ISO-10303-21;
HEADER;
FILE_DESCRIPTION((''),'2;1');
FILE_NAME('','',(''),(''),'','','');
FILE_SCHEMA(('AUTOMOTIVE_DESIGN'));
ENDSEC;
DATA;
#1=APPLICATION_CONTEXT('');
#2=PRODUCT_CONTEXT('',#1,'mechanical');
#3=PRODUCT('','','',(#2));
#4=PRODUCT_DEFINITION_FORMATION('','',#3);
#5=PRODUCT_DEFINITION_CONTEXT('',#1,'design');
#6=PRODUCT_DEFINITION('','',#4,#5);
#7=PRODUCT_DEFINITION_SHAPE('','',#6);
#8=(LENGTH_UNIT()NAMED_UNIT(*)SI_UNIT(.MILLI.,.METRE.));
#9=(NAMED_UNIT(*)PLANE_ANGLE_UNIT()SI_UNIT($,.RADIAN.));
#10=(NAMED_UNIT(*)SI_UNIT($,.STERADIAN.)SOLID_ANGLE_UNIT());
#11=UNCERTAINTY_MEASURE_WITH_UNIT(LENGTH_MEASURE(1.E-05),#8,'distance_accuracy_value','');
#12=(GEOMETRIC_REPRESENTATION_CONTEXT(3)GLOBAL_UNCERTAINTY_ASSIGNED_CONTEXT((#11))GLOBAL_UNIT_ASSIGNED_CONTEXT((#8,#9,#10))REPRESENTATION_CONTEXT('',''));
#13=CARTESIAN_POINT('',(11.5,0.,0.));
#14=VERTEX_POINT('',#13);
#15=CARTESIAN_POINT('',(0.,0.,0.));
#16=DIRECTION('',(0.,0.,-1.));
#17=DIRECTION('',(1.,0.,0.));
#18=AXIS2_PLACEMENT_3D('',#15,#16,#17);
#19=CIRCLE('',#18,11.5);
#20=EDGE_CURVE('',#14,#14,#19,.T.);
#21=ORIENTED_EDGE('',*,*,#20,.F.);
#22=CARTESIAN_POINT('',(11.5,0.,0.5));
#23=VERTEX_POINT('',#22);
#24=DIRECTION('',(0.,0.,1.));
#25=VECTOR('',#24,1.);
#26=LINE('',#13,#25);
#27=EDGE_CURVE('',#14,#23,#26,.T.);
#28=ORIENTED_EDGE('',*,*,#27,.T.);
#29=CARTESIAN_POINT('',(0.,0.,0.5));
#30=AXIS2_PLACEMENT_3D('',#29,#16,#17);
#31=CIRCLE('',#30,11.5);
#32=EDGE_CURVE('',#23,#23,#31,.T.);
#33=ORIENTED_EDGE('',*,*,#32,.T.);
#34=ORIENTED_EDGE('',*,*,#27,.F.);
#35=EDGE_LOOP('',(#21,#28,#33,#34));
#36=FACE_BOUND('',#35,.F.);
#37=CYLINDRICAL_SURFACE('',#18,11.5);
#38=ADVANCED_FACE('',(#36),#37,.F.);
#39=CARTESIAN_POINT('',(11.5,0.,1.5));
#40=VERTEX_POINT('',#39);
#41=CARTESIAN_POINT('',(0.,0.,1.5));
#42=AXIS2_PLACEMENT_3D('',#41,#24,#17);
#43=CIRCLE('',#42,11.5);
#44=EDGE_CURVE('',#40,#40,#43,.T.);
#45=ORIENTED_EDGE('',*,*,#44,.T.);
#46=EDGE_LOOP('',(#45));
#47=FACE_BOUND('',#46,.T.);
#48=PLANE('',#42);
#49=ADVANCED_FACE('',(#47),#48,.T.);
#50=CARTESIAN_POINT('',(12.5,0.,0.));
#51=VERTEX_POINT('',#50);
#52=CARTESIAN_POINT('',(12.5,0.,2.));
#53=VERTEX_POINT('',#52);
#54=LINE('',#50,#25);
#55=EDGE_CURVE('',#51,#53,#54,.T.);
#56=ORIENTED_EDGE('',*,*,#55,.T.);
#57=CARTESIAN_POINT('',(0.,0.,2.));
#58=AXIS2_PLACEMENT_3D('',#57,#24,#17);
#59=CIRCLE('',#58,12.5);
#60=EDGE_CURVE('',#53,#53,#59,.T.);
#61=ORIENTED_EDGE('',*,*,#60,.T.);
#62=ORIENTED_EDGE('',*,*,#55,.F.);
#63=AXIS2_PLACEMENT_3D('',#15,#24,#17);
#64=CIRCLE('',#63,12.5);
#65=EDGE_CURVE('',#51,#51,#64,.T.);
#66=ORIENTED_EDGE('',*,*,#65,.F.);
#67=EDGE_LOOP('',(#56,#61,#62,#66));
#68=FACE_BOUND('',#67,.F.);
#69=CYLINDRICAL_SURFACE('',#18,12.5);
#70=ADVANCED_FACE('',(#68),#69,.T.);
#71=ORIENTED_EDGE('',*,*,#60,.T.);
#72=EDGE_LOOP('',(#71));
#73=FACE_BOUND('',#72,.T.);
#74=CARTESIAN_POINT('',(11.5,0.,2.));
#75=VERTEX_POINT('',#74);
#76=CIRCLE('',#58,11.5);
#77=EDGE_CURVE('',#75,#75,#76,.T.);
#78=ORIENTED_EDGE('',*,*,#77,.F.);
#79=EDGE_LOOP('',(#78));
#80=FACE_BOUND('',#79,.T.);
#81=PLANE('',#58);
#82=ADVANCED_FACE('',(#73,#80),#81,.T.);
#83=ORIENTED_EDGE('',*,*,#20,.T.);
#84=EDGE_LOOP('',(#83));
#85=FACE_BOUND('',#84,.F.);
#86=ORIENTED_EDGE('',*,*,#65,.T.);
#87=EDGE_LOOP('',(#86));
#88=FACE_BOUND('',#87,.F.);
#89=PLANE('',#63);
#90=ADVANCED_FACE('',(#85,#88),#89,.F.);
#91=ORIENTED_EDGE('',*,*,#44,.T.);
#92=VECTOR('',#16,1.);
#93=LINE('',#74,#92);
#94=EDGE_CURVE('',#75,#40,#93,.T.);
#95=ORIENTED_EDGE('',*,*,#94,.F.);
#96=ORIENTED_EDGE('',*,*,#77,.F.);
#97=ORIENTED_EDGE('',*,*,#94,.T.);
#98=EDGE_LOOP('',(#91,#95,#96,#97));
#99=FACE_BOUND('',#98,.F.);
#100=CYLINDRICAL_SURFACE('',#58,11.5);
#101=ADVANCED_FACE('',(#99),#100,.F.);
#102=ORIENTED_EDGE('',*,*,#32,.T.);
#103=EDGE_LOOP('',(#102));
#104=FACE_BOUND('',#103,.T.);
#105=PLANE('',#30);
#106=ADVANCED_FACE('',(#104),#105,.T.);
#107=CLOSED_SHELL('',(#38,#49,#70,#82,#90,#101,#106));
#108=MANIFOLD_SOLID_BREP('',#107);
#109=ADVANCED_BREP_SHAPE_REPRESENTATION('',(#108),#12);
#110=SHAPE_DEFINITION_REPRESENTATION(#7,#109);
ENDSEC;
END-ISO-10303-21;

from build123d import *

# Parameters (mm, degrees)
F1_R     = 12.5
F2_DEPTH = 2
F3_R     = 11.5
F4_DEPTH = 0.5
F5_R     = 11.5
F6_DEPTH = 0.5


with BuildPart() as f2:
    # F1 (on Top) → F2 (new body)
    with BuildSketch(Plane.XY):
        Circle(F1_R)
    extrude(amount=F2_DEPTH)

    # F3 (on face) → F4 (cut)
    with BuildSketch(Plane.XY.offset(2)):
        Circle(F3_R)
    extrude(amount=-F4_DEPTH, mode=Mode.SUBTRACT)

    # F5 (on face) → F6 (cut)
    with BuildSketch(Plane(origin=(0, 0, 0), x_dir=(1, 0, 0), z_dir=(0, 0, -1))):
        Circle(F5_R)
    extrude(amount=-F6_DEPTH, mode=Mode.SUBTRACT)


solid = f2.part
